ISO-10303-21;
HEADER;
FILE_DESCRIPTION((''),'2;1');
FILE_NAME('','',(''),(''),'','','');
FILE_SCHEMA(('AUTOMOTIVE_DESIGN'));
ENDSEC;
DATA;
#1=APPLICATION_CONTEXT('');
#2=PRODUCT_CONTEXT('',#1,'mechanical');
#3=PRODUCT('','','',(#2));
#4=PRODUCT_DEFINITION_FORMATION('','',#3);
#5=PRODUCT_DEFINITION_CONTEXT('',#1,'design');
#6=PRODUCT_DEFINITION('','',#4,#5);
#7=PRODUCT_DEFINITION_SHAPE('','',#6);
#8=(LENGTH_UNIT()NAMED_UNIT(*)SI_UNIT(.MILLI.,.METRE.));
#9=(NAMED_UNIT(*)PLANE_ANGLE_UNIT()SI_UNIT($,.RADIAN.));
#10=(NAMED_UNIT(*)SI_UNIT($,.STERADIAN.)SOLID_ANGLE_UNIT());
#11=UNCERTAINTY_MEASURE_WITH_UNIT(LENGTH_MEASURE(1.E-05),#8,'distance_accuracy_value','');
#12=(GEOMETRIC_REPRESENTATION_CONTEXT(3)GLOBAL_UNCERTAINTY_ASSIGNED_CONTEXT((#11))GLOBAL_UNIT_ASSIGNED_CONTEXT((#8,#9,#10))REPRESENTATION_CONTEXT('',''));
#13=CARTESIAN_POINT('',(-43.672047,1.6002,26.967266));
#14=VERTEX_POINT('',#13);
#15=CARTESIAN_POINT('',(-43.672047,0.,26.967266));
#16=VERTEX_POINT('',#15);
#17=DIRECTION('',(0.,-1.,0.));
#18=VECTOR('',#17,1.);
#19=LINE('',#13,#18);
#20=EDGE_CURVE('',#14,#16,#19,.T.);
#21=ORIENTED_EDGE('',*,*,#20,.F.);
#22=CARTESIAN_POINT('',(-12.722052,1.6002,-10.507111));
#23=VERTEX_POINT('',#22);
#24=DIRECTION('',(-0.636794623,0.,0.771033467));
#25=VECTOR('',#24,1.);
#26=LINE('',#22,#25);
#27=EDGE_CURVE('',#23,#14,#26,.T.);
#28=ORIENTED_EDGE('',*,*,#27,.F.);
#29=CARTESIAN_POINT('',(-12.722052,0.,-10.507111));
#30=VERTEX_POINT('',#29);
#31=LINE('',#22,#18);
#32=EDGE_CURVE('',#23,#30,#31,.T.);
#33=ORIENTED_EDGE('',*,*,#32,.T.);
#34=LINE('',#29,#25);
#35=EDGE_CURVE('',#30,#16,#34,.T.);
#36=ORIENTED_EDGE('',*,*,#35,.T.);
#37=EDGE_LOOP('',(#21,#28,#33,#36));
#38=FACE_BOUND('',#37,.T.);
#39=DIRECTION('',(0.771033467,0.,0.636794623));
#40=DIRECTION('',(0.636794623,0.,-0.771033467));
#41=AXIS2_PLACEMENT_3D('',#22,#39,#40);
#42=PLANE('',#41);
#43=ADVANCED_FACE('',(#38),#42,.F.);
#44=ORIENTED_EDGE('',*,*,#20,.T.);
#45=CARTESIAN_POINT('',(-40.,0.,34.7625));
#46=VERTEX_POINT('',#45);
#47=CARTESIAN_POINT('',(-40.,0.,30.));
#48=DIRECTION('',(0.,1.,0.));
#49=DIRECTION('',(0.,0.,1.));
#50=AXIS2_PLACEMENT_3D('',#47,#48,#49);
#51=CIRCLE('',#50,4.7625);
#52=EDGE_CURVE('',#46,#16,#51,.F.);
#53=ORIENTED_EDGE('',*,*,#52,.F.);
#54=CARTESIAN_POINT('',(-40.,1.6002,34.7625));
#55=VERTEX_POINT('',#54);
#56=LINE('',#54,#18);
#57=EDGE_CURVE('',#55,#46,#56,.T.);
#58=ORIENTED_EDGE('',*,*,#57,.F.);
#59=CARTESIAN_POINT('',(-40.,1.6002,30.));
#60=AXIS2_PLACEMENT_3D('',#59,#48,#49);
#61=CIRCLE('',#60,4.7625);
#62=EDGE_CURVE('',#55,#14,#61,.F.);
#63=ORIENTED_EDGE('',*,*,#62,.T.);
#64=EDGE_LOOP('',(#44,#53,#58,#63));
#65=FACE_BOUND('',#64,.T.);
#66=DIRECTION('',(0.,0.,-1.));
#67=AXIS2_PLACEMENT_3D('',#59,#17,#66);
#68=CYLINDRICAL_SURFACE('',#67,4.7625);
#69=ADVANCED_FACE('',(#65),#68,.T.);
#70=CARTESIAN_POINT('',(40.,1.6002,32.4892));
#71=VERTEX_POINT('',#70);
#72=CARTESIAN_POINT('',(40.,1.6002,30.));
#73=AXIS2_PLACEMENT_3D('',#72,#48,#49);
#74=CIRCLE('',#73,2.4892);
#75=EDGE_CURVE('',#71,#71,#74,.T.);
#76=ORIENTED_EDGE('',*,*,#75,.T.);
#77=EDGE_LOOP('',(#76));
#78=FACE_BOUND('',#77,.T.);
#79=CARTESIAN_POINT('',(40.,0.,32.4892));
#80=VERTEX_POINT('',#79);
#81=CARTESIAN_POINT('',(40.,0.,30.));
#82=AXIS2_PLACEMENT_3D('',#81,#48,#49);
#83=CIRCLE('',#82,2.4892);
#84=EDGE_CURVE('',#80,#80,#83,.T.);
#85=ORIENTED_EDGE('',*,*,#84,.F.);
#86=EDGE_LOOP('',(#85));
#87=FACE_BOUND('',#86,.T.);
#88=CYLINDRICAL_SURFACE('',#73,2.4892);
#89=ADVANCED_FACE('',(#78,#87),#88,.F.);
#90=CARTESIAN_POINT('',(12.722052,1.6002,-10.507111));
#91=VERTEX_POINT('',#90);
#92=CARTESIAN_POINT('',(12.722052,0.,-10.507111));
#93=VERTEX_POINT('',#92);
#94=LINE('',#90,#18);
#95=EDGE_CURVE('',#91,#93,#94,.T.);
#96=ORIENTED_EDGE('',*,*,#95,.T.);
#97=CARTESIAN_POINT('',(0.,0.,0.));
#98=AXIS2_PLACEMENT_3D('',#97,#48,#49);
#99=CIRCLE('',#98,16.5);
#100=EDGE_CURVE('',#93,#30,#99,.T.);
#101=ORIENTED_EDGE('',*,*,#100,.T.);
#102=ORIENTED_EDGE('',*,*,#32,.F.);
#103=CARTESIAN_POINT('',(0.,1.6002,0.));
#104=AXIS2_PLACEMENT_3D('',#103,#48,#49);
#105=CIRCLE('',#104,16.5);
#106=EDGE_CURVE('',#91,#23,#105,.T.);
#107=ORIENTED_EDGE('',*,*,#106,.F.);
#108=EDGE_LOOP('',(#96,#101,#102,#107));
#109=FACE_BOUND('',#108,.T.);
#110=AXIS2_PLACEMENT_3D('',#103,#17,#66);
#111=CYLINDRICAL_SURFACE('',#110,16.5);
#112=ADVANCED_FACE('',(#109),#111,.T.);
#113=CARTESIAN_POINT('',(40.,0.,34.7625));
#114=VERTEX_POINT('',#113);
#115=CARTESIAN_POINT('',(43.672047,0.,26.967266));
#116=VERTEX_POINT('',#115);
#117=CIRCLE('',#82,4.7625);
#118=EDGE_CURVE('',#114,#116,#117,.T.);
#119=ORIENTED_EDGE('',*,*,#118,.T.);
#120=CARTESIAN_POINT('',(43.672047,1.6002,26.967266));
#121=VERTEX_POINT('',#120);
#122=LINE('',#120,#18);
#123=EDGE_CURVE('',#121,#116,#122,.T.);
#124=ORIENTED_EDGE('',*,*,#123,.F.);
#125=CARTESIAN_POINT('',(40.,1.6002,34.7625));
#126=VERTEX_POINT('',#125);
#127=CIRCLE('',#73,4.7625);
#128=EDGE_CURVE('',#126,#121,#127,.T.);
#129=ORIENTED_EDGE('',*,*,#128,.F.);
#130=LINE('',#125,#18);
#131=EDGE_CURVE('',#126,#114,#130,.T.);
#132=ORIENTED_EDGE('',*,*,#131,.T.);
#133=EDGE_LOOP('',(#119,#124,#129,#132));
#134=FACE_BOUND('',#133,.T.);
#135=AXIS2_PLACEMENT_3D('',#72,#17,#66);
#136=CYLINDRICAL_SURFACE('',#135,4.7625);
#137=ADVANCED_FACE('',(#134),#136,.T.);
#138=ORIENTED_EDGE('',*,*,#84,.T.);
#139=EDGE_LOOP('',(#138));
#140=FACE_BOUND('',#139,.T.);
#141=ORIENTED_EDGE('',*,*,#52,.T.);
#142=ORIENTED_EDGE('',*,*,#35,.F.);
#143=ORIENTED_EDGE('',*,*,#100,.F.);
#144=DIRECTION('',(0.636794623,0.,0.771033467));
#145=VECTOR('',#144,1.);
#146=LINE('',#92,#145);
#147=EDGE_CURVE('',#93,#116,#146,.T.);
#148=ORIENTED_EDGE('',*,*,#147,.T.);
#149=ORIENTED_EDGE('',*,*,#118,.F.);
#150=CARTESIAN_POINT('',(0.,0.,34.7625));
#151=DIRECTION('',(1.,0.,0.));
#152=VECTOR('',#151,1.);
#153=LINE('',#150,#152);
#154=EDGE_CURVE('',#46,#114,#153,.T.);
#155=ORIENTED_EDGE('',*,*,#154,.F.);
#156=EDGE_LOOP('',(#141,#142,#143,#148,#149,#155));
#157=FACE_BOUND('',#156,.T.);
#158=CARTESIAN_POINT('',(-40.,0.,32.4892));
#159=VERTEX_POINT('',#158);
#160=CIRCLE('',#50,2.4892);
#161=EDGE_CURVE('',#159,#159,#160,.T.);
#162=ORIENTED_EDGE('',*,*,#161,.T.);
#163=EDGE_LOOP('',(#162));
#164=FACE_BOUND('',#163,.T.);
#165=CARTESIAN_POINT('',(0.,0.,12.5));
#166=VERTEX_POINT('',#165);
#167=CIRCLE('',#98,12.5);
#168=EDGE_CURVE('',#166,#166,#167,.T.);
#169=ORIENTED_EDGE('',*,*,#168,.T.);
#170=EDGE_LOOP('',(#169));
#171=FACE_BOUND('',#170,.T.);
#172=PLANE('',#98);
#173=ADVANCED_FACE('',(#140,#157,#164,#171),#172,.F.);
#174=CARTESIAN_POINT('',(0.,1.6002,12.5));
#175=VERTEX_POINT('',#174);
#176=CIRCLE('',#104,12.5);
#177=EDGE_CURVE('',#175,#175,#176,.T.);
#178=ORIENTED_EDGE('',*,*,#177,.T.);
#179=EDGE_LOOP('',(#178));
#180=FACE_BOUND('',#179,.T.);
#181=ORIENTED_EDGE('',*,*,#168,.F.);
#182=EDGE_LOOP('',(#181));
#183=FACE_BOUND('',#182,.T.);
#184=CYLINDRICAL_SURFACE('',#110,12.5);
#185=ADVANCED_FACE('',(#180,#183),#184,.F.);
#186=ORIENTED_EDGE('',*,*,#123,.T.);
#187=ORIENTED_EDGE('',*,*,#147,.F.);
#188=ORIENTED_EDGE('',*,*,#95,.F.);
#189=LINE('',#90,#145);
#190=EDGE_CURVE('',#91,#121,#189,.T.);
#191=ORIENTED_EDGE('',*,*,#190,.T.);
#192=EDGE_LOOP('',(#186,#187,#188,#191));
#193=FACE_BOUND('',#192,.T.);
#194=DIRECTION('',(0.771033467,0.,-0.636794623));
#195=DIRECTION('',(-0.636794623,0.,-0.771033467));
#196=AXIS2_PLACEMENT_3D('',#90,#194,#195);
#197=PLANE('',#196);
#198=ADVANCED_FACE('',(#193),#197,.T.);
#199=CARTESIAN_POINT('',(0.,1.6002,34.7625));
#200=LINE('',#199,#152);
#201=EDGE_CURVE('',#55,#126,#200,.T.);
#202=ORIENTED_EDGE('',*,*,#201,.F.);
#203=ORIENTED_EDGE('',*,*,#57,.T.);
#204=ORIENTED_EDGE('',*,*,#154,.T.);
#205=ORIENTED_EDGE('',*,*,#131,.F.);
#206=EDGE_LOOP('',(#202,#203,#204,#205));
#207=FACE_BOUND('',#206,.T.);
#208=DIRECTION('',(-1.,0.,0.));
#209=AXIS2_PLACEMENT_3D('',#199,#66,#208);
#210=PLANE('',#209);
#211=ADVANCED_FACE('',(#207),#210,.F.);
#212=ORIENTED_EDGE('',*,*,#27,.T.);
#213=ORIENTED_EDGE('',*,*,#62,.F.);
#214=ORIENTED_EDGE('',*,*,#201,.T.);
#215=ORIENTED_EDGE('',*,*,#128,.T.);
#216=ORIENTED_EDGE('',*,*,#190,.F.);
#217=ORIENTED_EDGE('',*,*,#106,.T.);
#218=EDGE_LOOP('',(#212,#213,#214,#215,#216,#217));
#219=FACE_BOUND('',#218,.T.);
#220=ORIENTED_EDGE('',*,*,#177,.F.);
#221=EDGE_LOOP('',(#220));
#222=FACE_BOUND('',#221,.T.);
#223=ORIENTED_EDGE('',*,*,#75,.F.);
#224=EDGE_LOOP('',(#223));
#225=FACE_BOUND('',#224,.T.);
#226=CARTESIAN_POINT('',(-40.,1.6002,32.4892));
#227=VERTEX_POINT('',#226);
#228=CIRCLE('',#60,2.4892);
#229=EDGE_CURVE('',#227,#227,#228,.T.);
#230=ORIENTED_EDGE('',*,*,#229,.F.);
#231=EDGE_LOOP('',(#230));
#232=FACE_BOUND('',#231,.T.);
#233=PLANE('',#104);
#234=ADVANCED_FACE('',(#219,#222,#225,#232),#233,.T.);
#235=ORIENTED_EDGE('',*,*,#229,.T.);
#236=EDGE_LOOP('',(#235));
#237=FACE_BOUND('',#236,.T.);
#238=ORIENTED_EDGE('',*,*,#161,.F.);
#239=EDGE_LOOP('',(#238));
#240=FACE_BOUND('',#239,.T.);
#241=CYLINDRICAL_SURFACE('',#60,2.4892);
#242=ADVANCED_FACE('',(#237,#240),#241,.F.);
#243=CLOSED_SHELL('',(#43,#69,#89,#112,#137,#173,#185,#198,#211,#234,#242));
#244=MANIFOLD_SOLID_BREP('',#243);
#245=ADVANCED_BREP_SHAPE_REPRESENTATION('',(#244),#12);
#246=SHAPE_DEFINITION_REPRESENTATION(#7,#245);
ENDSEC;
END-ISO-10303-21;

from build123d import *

# Parameters (mm, degrees)
SKETCH1_R                  = 12.5
BOSS_EXTRUDE1_DEPTH        = 1.6002
F_10_CLEARANCE_HOLE1_D     = 4.9784
F_10_CLEARANCE_HOLE1_DEPTH = 172.97
F_10_CLEARANCE_HOLE1_TIP   = 1.495662253


with BuildPart() as part:
    # Sketch1 → Boss-Extrude1 (new body)
    with BuildSketch(Plane(origin=(0, 0, 0), x_dir=(1, 0, 0), z_dir=(0, 1, 0))):
        with BuildLine():
            ThreePointArc((-40, -34.7625), (-44.3084106, -32.029533038), (-43.672046889, -26.967265607))
            Line((-43.672046889, -26.967265607), (-12.722052212, 10.507111283))
            ThreePointArc((-12.722052212, 10.507111283), (0, 16.5), (12.722052212, 10.507111283))
            Line((12.722052212, 10.507111283), (43.672046889, -26.967265607))
            ThreePointArc((43.672046889, -26.967265607), (44.3084106, -32.029533038), (40, -34.7625))
            Line((40, -34.7625), (-40, -34.7625))
        make_face()
        with Locations(Location((0, 0, 0), (0, 0, 270))):  # turned: the seam where the file's is
            Circle(SKETCH1_R, mode=Mode.SUBTRACT)
    extrude(amount=BOSS_EXTRUDE1_DEPTH)

    # #10 Clearance Hole1
    with Locations(Plane(origin=(0, 1.6002, 0), x_dir=(1, 0, 0), z_dir=(0, 1, 0))):
        with Locations((40, -30), (-40, -30)):
            Hole(F_10_CLEARANCE_HOLE1_D / 2, depth=F_10_CLEARANCE_HOLE1_DEPTH)
            with Locations((0, 0, -(F_10_CLEARANCE_HOLE1_DEPTH + F_10_CLEARANCE_HOLE1_TIP / 2))):  # 118° drill point
                Cone(0, F_10_CLEARANCE_HOLE1_D / 2, F_10_CLEARANCE_HOLE1_TIP, mode=Mode.SUBTRACT)


solid = part.part
